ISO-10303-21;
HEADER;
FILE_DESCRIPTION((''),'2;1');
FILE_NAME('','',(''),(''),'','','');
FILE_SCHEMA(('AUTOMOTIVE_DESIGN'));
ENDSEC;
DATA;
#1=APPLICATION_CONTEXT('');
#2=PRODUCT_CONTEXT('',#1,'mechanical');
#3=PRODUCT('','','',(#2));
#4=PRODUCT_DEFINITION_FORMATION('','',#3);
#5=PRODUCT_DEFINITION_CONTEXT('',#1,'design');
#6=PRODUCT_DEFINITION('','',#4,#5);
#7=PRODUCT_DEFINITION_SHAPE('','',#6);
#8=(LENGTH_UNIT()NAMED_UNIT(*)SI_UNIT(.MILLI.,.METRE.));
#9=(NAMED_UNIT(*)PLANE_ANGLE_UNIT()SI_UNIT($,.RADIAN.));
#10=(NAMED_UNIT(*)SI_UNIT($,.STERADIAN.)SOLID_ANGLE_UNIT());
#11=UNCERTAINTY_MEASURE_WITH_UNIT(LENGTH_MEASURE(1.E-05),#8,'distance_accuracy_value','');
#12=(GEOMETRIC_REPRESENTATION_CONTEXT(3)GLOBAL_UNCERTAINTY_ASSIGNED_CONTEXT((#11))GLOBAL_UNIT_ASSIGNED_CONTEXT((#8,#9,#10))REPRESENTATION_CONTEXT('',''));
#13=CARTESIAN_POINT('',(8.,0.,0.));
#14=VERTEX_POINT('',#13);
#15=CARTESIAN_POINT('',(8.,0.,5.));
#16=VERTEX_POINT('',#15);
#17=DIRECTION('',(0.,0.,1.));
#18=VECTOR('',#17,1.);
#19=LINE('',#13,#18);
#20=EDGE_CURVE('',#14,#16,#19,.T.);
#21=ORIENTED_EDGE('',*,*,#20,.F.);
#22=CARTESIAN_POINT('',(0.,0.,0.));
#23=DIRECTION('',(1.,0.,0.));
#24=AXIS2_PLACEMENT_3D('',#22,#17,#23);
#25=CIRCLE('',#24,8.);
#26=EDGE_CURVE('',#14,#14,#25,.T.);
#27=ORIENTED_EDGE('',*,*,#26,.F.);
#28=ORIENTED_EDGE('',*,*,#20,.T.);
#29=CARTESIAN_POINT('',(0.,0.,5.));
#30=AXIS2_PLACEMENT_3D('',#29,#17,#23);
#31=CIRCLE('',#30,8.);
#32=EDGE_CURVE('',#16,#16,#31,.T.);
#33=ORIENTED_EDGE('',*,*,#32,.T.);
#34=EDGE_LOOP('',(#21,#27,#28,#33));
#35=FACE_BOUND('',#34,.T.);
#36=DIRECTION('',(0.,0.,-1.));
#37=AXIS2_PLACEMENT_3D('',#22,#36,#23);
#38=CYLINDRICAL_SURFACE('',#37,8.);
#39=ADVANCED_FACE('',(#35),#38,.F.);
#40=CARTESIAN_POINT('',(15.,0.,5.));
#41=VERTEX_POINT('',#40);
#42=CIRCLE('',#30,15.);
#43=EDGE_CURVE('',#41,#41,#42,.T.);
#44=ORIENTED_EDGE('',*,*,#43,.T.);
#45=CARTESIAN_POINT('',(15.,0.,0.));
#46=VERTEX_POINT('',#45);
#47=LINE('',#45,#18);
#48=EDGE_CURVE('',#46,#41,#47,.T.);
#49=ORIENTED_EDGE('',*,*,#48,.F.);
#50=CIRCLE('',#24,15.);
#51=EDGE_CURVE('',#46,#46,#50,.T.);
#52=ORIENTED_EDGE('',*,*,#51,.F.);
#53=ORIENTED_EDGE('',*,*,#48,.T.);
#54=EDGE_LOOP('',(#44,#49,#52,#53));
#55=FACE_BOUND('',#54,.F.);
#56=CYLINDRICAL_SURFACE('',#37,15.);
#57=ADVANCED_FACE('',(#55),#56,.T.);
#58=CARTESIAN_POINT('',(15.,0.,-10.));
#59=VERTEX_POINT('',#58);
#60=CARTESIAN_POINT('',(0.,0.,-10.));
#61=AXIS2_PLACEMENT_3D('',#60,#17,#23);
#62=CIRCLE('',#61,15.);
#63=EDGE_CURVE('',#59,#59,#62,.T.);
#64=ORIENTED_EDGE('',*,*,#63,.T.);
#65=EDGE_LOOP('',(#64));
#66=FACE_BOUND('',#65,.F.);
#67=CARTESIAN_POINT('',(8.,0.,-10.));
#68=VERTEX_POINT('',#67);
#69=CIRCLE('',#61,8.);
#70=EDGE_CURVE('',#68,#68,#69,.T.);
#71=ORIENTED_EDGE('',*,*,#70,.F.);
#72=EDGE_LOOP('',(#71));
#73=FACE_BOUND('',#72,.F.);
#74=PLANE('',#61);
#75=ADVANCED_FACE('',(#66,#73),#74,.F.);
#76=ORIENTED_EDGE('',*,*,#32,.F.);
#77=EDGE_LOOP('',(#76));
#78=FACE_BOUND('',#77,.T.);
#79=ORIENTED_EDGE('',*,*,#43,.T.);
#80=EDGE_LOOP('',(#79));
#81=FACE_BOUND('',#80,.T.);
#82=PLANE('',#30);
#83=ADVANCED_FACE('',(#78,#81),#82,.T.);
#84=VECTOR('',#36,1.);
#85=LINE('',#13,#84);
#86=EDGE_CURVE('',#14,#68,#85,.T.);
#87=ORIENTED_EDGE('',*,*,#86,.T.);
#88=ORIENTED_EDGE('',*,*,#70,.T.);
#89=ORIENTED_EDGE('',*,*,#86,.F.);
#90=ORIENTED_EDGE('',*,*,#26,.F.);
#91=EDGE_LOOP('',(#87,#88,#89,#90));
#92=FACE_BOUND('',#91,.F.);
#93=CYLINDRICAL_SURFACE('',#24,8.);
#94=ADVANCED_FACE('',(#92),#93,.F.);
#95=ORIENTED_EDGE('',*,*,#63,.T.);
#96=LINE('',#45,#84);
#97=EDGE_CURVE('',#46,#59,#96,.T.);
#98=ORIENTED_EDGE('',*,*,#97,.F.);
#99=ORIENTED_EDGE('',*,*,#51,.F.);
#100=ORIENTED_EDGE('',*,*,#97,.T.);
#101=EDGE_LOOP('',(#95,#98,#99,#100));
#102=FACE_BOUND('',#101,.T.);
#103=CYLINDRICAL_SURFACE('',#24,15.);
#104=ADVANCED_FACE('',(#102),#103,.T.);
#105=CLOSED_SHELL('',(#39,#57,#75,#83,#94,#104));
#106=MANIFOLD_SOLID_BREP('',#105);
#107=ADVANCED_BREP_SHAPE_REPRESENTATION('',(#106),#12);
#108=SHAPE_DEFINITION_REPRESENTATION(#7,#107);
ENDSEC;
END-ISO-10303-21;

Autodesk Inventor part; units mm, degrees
ref_plane "YZ Plane" through (0, 0, 0) normal (1, 0, 0) x (0, 1, 0)
ref_plane "XZ Plane" through (0, 0, 0) normal (0, 1, 0) x (-1, 0, 0)
ref_plane "XY Plane" through (0, 0, 0) normal (0, 0, 1) x (1, 0, 0)
ref_plane "Work Plane1" through (0, 0, 0) normal (0, 0, 1) x (1, 0, 0)
sketch "Sketch1" plane through (0, 0, 0) normal (0, 0, 1) x (1, 0, 0)
  circle A0 centre (0, 0) radius 15 projected
  circle A1 centre (0, 0) radius 8
  dimension "d0" = 16
extrude "Extrusion1" add sketch "Sketch1" along normal blind 5 and the other way blind 10
sketch "Sketch2" plane through (0, 0, 0) normal (0, 0, 1) x (1, 0, 0)
  point P0 (0, 0)
properties part number "ballscrew radial ball bearing"
